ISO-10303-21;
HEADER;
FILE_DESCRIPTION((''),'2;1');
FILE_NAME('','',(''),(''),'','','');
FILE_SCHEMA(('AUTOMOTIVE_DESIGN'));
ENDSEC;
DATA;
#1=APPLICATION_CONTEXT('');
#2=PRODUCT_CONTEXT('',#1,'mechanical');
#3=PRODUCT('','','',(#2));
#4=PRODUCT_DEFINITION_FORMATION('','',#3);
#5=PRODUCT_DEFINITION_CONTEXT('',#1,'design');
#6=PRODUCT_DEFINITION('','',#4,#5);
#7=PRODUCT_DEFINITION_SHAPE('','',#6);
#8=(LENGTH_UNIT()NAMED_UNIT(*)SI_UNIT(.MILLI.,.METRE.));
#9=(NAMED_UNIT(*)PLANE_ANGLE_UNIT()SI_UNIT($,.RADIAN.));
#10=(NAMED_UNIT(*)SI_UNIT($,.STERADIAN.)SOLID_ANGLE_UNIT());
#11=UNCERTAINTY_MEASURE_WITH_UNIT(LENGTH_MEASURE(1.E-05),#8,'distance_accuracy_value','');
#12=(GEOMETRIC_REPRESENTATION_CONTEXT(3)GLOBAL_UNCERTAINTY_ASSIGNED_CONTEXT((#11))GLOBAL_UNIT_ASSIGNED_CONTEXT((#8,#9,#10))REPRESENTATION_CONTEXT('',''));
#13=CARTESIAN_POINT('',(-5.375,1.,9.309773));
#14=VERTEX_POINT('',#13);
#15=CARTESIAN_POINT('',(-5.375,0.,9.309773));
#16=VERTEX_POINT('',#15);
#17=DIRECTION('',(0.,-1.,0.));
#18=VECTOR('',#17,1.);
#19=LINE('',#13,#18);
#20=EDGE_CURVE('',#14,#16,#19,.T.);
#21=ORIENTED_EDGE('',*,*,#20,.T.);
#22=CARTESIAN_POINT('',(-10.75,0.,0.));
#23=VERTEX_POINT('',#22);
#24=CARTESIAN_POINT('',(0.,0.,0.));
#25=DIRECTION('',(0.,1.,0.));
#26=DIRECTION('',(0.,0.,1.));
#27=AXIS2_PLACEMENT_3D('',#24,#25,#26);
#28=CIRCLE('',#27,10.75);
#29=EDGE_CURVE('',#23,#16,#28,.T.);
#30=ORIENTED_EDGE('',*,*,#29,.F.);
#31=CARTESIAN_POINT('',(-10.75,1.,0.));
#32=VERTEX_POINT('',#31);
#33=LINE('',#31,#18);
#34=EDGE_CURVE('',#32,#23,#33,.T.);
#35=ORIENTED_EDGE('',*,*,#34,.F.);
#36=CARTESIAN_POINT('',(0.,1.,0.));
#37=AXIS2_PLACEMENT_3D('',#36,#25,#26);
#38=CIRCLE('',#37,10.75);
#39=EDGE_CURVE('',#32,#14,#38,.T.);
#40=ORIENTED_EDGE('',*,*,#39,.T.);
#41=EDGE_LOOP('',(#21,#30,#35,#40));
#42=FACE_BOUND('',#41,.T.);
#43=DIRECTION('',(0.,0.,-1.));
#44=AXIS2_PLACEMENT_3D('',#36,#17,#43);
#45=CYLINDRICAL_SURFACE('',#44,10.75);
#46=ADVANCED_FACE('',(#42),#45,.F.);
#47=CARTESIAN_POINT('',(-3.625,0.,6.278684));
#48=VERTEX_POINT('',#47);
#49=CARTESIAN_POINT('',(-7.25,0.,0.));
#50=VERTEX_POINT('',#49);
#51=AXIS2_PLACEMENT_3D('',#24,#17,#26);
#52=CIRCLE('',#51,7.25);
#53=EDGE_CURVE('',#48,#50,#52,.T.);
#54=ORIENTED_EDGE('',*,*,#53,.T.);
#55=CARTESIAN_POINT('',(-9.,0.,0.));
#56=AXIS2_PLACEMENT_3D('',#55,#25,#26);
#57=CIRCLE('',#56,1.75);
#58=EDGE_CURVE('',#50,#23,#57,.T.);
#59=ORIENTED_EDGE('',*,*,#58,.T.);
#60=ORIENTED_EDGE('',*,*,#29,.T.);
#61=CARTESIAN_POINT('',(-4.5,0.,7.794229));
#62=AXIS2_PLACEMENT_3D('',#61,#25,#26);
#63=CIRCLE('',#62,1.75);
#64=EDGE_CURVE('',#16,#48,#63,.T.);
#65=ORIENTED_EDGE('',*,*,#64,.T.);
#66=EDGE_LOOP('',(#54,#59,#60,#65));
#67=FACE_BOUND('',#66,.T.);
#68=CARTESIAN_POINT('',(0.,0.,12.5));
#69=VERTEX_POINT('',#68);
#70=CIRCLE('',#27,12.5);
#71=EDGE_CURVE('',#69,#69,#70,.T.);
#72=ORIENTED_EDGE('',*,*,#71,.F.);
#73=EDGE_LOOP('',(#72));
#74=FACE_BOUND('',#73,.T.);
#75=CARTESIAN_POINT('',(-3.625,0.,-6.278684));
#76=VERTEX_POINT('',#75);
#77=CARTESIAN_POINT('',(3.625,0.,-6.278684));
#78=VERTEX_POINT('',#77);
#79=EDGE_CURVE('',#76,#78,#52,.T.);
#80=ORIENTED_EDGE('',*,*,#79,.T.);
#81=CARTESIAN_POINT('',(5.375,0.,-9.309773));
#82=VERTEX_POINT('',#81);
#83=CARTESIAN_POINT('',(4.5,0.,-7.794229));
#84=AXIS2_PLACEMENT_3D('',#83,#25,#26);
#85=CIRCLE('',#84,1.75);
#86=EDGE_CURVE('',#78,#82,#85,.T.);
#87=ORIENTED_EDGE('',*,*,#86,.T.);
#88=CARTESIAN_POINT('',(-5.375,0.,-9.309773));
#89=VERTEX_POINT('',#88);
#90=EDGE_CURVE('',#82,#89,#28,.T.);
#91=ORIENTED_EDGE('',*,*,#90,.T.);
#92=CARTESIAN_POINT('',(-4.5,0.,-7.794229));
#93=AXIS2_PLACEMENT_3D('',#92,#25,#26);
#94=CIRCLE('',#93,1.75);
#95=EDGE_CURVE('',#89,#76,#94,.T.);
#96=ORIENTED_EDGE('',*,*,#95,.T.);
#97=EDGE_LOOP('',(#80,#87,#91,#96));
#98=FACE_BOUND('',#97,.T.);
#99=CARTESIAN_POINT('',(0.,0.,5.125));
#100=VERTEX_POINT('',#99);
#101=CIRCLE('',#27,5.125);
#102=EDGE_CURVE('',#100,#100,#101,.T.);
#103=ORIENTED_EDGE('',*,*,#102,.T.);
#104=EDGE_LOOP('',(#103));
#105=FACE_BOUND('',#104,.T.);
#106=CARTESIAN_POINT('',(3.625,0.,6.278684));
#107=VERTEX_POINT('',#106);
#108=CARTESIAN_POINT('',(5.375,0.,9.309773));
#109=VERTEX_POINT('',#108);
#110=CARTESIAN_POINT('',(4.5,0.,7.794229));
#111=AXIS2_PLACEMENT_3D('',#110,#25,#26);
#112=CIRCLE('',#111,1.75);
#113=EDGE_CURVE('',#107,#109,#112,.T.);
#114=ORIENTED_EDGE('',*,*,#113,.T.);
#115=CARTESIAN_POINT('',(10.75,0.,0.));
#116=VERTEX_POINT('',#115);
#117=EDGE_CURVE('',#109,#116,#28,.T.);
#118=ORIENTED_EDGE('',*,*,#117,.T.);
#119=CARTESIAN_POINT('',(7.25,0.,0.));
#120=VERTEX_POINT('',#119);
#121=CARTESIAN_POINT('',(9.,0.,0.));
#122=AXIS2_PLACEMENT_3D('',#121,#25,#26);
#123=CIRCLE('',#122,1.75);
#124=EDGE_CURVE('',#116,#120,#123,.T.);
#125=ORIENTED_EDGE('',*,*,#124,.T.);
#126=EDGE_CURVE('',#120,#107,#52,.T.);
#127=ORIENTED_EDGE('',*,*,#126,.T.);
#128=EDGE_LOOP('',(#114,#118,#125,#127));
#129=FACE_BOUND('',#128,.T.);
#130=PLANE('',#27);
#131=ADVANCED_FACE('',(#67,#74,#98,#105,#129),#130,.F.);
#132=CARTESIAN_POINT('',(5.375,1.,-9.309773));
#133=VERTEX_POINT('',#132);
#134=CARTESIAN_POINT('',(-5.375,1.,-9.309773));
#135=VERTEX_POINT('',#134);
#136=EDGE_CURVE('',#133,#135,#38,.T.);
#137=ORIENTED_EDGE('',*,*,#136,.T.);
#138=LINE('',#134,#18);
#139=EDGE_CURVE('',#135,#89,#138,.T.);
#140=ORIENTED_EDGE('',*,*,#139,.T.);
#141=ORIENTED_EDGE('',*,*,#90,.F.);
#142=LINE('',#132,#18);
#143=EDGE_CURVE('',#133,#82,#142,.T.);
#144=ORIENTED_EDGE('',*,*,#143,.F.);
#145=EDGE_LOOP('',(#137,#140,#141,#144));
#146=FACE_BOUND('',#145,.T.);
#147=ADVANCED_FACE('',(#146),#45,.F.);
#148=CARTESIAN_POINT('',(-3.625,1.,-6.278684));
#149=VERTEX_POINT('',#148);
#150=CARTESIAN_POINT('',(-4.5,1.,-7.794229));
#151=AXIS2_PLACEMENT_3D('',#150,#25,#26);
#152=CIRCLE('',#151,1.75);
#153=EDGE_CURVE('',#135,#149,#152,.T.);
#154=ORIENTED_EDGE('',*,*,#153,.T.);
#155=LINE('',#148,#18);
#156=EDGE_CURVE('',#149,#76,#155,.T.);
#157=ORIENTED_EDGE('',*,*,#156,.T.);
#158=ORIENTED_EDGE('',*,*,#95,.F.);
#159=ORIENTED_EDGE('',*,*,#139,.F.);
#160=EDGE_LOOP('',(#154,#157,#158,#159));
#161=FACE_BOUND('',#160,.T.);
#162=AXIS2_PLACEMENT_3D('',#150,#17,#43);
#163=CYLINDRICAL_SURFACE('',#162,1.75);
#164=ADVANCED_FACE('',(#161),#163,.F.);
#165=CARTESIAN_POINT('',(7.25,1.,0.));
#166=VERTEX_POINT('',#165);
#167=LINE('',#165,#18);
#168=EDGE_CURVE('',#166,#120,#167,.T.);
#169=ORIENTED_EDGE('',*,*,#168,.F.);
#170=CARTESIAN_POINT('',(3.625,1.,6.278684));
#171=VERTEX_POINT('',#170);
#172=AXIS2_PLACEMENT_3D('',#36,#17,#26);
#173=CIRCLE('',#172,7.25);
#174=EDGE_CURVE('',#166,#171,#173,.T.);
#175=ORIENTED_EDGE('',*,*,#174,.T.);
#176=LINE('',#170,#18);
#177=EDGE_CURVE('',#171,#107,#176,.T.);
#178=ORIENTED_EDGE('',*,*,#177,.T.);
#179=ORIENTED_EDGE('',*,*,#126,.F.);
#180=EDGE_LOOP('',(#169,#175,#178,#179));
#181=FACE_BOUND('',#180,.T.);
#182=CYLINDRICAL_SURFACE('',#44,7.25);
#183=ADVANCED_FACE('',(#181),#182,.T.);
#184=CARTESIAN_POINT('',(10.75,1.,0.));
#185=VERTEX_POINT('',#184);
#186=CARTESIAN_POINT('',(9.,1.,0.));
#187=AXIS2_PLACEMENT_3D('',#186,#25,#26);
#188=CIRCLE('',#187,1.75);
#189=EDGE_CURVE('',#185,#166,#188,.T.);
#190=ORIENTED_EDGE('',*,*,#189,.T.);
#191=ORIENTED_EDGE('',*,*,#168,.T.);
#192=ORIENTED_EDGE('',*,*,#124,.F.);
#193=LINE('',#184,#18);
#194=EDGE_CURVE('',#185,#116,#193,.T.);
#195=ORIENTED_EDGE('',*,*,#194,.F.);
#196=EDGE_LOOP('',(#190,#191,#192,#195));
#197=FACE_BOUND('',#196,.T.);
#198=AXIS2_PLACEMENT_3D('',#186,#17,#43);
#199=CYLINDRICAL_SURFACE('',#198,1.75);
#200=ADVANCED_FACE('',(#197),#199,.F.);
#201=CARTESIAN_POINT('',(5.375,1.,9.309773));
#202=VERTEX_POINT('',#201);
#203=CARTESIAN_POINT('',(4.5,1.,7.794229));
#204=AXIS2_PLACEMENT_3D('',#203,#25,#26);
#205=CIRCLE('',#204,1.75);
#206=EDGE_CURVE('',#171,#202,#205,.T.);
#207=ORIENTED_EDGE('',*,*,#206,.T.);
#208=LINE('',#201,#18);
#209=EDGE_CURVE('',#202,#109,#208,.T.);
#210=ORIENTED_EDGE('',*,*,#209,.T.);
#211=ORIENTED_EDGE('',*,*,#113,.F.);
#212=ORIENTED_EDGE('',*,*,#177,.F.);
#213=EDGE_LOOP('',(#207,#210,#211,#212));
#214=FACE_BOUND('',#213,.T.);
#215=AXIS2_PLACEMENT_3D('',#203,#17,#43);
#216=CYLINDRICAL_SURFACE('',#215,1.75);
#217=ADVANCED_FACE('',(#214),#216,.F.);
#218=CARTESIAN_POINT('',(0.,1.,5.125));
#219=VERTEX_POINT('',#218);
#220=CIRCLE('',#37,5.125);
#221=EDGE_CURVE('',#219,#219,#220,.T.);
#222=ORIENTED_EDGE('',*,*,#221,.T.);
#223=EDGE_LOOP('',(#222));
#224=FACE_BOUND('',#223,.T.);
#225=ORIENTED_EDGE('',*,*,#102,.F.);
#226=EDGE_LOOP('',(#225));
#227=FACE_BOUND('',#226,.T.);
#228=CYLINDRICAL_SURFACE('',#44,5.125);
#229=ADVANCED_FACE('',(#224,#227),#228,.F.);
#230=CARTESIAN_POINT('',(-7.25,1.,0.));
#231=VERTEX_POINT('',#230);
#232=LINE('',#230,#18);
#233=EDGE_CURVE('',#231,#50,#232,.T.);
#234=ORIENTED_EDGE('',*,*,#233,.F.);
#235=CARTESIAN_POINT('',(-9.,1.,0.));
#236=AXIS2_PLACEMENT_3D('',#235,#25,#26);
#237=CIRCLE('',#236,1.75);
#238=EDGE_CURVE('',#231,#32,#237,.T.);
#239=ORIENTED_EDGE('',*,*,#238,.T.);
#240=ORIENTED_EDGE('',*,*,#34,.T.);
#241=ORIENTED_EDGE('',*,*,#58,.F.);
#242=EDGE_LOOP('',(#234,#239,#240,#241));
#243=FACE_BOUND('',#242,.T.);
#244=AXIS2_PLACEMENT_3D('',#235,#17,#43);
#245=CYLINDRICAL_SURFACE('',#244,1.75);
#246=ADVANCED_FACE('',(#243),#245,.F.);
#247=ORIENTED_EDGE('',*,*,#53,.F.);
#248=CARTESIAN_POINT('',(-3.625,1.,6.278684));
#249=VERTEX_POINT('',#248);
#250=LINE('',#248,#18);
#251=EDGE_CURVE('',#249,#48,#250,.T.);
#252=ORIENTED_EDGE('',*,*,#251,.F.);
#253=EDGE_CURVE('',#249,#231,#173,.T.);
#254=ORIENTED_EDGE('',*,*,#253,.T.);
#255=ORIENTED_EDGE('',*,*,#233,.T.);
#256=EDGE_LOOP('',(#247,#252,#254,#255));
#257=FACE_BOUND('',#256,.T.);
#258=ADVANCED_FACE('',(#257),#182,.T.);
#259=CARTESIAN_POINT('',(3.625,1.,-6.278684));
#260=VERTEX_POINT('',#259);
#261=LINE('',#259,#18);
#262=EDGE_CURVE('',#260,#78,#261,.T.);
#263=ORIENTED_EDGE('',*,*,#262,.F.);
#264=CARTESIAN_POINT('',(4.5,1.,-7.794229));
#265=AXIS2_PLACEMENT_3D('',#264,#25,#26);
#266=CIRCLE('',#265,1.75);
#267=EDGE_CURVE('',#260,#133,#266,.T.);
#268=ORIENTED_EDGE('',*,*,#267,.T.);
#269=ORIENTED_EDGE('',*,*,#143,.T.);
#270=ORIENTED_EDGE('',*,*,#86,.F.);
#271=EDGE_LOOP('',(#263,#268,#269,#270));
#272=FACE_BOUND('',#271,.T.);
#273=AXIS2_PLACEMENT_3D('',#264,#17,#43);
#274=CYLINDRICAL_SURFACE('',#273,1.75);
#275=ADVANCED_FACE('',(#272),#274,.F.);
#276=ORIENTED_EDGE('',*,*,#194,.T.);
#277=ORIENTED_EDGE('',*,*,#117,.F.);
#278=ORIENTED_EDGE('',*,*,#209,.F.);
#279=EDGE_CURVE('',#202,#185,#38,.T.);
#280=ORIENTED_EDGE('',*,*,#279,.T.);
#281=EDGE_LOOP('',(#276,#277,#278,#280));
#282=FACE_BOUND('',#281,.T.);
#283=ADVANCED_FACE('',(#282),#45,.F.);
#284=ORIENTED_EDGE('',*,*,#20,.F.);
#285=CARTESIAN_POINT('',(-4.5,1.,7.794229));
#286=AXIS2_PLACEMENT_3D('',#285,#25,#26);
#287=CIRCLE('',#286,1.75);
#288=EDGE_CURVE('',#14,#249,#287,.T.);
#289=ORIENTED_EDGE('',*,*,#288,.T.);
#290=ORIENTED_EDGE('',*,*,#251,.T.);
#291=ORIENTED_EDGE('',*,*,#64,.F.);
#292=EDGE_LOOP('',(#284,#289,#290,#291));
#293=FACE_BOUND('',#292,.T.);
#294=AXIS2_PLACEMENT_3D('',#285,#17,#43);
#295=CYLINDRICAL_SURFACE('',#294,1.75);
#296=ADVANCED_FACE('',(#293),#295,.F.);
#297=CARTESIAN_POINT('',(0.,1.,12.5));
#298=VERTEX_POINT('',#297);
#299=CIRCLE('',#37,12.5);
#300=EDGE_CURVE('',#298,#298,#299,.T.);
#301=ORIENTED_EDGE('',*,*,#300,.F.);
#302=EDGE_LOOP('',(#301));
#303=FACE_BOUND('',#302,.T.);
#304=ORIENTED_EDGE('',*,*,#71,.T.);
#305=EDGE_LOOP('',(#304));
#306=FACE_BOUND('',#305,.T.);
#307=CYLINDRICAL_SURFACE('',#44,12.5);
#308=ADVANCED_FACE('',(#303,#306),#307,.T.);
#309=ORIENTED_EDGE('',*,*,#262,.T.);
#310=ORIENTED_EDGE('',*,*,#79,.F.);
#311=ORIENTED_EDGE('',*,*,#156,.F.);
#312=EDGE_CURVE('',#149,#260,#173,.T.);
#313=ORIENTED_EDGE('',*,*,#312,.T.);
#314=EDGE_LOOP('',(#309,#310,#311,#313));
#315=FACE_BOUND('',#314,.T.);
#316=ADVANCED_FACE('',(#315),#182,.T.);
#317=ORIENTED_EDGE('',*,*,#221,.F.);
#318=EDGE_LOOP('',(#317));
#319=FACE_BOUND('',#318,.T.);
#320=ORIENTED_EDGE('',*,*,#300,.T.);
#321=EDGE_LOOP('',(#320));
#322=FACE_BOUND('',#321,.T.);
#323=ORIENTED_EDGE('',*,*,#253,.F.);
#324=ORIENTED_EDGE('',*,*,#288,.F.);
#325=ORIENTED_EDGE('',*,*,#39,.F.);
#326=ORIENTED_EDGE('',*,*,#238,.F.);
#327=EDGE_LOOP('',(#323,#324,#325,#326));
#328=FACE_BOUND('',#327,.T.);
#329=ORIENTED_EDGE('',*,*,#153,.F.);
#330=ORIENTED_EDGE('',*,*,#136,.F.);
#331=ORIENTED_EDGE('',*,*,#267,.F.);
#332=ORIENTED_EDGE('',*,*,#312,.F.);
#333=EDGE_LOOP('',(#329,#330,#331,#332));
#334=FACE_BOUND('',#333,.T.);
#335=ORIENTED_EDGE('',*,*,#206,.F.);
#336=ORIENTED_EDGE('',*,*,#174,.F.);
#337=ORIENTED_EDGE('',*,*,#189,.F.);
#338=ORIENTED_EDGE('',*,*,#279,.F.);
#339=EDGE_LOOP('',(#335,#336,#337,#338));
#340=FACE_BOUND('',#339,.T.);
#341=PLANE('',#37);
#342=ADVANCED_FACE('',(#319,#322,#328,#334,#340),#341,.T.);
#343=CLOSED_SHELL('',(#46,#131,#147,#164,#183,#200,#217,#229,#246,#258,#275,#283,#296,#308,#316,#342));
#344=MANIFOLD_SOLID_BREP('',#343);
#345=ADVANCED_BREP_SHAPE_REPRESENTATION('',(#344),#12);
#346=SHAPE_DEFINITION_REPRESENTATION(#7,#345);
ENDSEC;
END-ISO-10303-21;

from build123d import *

# Parameters (mm, degrees)
CROQUIS1_R              = 12.5
CROQUIS1_R_2            = 5.125
SALIENTE_EXTRUIR1_DEPTH = 1


with BuildPart() as part:
    # Croquis1 → Saliente-Extruir1 (new body)
    with BuildSketch(Plane(origin=(0, 0, 0), x_dir=(1, 0, 0), z_dir=(0, 1, 0))):
        with Locations(Location((0, 0, 0), (0, 0, 270))):
            Circle(CROQUIS1_R)
        with Locations(Location((0, 0, 0), (0, 0, 270))):
            Circle(CROQUIS1_R_2, mode=Mode.SUBTRACT)
        with BuildLine():
            ThreePointArc((5.375, 9.309773091), (0, 10.75), (-5.375, 9.309773091))
            ThreePointArc((-5.375, 9.309773091), (-6.015544457, 6.919228634), (-3.625, 6.278684177))
            ThreePointArc((-3.625, 6.278684177), (0, 7.25), (3.625, 6.278684177))
            ThreePointArc((3.625, 6.278684177), (6.015544457, 6.919228634), (5.375, 9.309773091))
        make_face(mode=Mode.SUBTRACT)
        with BuildLine():
            ThreePointArc((5.375, -9.309773091), (9.309773091, -5.375), (10.75, 0))
            ThreePointArc((10.75, 0), (9, 1.75), (7.25, 0))
            ThreePointArc((7.25, 0), (6.278684177, -3.625), (3.625, -6.278684177))
            ThreePointArc((3.625, -6.278684177), (2.984455543, -8.669228634), (5.375, -9.309773091))
        make_face(mode=Mode.SUBTRACT)
        with BuildLine():
            ThreePointArc((-10.75, 0), (-9.309773091, -5.375), (-5.375, -9.309773091))
            ThreePointArc((-5.375, -9.309773091), (-2.984455543, -8.669228634), (-3.625, -6.278684177))
            ThreePointArc((-3.625, -6.278684177), (-6.278684177, -3.625), (-7.25, 0))
            ThreePointArc((-7.25, 0), (-9, 1.75), (-10.75, 0))
        make_face(mode=Mode.SUBTRACT)
    extrude(amount=SALIENTE_EXTRUIR1_DEPTH)


solid = part.part
